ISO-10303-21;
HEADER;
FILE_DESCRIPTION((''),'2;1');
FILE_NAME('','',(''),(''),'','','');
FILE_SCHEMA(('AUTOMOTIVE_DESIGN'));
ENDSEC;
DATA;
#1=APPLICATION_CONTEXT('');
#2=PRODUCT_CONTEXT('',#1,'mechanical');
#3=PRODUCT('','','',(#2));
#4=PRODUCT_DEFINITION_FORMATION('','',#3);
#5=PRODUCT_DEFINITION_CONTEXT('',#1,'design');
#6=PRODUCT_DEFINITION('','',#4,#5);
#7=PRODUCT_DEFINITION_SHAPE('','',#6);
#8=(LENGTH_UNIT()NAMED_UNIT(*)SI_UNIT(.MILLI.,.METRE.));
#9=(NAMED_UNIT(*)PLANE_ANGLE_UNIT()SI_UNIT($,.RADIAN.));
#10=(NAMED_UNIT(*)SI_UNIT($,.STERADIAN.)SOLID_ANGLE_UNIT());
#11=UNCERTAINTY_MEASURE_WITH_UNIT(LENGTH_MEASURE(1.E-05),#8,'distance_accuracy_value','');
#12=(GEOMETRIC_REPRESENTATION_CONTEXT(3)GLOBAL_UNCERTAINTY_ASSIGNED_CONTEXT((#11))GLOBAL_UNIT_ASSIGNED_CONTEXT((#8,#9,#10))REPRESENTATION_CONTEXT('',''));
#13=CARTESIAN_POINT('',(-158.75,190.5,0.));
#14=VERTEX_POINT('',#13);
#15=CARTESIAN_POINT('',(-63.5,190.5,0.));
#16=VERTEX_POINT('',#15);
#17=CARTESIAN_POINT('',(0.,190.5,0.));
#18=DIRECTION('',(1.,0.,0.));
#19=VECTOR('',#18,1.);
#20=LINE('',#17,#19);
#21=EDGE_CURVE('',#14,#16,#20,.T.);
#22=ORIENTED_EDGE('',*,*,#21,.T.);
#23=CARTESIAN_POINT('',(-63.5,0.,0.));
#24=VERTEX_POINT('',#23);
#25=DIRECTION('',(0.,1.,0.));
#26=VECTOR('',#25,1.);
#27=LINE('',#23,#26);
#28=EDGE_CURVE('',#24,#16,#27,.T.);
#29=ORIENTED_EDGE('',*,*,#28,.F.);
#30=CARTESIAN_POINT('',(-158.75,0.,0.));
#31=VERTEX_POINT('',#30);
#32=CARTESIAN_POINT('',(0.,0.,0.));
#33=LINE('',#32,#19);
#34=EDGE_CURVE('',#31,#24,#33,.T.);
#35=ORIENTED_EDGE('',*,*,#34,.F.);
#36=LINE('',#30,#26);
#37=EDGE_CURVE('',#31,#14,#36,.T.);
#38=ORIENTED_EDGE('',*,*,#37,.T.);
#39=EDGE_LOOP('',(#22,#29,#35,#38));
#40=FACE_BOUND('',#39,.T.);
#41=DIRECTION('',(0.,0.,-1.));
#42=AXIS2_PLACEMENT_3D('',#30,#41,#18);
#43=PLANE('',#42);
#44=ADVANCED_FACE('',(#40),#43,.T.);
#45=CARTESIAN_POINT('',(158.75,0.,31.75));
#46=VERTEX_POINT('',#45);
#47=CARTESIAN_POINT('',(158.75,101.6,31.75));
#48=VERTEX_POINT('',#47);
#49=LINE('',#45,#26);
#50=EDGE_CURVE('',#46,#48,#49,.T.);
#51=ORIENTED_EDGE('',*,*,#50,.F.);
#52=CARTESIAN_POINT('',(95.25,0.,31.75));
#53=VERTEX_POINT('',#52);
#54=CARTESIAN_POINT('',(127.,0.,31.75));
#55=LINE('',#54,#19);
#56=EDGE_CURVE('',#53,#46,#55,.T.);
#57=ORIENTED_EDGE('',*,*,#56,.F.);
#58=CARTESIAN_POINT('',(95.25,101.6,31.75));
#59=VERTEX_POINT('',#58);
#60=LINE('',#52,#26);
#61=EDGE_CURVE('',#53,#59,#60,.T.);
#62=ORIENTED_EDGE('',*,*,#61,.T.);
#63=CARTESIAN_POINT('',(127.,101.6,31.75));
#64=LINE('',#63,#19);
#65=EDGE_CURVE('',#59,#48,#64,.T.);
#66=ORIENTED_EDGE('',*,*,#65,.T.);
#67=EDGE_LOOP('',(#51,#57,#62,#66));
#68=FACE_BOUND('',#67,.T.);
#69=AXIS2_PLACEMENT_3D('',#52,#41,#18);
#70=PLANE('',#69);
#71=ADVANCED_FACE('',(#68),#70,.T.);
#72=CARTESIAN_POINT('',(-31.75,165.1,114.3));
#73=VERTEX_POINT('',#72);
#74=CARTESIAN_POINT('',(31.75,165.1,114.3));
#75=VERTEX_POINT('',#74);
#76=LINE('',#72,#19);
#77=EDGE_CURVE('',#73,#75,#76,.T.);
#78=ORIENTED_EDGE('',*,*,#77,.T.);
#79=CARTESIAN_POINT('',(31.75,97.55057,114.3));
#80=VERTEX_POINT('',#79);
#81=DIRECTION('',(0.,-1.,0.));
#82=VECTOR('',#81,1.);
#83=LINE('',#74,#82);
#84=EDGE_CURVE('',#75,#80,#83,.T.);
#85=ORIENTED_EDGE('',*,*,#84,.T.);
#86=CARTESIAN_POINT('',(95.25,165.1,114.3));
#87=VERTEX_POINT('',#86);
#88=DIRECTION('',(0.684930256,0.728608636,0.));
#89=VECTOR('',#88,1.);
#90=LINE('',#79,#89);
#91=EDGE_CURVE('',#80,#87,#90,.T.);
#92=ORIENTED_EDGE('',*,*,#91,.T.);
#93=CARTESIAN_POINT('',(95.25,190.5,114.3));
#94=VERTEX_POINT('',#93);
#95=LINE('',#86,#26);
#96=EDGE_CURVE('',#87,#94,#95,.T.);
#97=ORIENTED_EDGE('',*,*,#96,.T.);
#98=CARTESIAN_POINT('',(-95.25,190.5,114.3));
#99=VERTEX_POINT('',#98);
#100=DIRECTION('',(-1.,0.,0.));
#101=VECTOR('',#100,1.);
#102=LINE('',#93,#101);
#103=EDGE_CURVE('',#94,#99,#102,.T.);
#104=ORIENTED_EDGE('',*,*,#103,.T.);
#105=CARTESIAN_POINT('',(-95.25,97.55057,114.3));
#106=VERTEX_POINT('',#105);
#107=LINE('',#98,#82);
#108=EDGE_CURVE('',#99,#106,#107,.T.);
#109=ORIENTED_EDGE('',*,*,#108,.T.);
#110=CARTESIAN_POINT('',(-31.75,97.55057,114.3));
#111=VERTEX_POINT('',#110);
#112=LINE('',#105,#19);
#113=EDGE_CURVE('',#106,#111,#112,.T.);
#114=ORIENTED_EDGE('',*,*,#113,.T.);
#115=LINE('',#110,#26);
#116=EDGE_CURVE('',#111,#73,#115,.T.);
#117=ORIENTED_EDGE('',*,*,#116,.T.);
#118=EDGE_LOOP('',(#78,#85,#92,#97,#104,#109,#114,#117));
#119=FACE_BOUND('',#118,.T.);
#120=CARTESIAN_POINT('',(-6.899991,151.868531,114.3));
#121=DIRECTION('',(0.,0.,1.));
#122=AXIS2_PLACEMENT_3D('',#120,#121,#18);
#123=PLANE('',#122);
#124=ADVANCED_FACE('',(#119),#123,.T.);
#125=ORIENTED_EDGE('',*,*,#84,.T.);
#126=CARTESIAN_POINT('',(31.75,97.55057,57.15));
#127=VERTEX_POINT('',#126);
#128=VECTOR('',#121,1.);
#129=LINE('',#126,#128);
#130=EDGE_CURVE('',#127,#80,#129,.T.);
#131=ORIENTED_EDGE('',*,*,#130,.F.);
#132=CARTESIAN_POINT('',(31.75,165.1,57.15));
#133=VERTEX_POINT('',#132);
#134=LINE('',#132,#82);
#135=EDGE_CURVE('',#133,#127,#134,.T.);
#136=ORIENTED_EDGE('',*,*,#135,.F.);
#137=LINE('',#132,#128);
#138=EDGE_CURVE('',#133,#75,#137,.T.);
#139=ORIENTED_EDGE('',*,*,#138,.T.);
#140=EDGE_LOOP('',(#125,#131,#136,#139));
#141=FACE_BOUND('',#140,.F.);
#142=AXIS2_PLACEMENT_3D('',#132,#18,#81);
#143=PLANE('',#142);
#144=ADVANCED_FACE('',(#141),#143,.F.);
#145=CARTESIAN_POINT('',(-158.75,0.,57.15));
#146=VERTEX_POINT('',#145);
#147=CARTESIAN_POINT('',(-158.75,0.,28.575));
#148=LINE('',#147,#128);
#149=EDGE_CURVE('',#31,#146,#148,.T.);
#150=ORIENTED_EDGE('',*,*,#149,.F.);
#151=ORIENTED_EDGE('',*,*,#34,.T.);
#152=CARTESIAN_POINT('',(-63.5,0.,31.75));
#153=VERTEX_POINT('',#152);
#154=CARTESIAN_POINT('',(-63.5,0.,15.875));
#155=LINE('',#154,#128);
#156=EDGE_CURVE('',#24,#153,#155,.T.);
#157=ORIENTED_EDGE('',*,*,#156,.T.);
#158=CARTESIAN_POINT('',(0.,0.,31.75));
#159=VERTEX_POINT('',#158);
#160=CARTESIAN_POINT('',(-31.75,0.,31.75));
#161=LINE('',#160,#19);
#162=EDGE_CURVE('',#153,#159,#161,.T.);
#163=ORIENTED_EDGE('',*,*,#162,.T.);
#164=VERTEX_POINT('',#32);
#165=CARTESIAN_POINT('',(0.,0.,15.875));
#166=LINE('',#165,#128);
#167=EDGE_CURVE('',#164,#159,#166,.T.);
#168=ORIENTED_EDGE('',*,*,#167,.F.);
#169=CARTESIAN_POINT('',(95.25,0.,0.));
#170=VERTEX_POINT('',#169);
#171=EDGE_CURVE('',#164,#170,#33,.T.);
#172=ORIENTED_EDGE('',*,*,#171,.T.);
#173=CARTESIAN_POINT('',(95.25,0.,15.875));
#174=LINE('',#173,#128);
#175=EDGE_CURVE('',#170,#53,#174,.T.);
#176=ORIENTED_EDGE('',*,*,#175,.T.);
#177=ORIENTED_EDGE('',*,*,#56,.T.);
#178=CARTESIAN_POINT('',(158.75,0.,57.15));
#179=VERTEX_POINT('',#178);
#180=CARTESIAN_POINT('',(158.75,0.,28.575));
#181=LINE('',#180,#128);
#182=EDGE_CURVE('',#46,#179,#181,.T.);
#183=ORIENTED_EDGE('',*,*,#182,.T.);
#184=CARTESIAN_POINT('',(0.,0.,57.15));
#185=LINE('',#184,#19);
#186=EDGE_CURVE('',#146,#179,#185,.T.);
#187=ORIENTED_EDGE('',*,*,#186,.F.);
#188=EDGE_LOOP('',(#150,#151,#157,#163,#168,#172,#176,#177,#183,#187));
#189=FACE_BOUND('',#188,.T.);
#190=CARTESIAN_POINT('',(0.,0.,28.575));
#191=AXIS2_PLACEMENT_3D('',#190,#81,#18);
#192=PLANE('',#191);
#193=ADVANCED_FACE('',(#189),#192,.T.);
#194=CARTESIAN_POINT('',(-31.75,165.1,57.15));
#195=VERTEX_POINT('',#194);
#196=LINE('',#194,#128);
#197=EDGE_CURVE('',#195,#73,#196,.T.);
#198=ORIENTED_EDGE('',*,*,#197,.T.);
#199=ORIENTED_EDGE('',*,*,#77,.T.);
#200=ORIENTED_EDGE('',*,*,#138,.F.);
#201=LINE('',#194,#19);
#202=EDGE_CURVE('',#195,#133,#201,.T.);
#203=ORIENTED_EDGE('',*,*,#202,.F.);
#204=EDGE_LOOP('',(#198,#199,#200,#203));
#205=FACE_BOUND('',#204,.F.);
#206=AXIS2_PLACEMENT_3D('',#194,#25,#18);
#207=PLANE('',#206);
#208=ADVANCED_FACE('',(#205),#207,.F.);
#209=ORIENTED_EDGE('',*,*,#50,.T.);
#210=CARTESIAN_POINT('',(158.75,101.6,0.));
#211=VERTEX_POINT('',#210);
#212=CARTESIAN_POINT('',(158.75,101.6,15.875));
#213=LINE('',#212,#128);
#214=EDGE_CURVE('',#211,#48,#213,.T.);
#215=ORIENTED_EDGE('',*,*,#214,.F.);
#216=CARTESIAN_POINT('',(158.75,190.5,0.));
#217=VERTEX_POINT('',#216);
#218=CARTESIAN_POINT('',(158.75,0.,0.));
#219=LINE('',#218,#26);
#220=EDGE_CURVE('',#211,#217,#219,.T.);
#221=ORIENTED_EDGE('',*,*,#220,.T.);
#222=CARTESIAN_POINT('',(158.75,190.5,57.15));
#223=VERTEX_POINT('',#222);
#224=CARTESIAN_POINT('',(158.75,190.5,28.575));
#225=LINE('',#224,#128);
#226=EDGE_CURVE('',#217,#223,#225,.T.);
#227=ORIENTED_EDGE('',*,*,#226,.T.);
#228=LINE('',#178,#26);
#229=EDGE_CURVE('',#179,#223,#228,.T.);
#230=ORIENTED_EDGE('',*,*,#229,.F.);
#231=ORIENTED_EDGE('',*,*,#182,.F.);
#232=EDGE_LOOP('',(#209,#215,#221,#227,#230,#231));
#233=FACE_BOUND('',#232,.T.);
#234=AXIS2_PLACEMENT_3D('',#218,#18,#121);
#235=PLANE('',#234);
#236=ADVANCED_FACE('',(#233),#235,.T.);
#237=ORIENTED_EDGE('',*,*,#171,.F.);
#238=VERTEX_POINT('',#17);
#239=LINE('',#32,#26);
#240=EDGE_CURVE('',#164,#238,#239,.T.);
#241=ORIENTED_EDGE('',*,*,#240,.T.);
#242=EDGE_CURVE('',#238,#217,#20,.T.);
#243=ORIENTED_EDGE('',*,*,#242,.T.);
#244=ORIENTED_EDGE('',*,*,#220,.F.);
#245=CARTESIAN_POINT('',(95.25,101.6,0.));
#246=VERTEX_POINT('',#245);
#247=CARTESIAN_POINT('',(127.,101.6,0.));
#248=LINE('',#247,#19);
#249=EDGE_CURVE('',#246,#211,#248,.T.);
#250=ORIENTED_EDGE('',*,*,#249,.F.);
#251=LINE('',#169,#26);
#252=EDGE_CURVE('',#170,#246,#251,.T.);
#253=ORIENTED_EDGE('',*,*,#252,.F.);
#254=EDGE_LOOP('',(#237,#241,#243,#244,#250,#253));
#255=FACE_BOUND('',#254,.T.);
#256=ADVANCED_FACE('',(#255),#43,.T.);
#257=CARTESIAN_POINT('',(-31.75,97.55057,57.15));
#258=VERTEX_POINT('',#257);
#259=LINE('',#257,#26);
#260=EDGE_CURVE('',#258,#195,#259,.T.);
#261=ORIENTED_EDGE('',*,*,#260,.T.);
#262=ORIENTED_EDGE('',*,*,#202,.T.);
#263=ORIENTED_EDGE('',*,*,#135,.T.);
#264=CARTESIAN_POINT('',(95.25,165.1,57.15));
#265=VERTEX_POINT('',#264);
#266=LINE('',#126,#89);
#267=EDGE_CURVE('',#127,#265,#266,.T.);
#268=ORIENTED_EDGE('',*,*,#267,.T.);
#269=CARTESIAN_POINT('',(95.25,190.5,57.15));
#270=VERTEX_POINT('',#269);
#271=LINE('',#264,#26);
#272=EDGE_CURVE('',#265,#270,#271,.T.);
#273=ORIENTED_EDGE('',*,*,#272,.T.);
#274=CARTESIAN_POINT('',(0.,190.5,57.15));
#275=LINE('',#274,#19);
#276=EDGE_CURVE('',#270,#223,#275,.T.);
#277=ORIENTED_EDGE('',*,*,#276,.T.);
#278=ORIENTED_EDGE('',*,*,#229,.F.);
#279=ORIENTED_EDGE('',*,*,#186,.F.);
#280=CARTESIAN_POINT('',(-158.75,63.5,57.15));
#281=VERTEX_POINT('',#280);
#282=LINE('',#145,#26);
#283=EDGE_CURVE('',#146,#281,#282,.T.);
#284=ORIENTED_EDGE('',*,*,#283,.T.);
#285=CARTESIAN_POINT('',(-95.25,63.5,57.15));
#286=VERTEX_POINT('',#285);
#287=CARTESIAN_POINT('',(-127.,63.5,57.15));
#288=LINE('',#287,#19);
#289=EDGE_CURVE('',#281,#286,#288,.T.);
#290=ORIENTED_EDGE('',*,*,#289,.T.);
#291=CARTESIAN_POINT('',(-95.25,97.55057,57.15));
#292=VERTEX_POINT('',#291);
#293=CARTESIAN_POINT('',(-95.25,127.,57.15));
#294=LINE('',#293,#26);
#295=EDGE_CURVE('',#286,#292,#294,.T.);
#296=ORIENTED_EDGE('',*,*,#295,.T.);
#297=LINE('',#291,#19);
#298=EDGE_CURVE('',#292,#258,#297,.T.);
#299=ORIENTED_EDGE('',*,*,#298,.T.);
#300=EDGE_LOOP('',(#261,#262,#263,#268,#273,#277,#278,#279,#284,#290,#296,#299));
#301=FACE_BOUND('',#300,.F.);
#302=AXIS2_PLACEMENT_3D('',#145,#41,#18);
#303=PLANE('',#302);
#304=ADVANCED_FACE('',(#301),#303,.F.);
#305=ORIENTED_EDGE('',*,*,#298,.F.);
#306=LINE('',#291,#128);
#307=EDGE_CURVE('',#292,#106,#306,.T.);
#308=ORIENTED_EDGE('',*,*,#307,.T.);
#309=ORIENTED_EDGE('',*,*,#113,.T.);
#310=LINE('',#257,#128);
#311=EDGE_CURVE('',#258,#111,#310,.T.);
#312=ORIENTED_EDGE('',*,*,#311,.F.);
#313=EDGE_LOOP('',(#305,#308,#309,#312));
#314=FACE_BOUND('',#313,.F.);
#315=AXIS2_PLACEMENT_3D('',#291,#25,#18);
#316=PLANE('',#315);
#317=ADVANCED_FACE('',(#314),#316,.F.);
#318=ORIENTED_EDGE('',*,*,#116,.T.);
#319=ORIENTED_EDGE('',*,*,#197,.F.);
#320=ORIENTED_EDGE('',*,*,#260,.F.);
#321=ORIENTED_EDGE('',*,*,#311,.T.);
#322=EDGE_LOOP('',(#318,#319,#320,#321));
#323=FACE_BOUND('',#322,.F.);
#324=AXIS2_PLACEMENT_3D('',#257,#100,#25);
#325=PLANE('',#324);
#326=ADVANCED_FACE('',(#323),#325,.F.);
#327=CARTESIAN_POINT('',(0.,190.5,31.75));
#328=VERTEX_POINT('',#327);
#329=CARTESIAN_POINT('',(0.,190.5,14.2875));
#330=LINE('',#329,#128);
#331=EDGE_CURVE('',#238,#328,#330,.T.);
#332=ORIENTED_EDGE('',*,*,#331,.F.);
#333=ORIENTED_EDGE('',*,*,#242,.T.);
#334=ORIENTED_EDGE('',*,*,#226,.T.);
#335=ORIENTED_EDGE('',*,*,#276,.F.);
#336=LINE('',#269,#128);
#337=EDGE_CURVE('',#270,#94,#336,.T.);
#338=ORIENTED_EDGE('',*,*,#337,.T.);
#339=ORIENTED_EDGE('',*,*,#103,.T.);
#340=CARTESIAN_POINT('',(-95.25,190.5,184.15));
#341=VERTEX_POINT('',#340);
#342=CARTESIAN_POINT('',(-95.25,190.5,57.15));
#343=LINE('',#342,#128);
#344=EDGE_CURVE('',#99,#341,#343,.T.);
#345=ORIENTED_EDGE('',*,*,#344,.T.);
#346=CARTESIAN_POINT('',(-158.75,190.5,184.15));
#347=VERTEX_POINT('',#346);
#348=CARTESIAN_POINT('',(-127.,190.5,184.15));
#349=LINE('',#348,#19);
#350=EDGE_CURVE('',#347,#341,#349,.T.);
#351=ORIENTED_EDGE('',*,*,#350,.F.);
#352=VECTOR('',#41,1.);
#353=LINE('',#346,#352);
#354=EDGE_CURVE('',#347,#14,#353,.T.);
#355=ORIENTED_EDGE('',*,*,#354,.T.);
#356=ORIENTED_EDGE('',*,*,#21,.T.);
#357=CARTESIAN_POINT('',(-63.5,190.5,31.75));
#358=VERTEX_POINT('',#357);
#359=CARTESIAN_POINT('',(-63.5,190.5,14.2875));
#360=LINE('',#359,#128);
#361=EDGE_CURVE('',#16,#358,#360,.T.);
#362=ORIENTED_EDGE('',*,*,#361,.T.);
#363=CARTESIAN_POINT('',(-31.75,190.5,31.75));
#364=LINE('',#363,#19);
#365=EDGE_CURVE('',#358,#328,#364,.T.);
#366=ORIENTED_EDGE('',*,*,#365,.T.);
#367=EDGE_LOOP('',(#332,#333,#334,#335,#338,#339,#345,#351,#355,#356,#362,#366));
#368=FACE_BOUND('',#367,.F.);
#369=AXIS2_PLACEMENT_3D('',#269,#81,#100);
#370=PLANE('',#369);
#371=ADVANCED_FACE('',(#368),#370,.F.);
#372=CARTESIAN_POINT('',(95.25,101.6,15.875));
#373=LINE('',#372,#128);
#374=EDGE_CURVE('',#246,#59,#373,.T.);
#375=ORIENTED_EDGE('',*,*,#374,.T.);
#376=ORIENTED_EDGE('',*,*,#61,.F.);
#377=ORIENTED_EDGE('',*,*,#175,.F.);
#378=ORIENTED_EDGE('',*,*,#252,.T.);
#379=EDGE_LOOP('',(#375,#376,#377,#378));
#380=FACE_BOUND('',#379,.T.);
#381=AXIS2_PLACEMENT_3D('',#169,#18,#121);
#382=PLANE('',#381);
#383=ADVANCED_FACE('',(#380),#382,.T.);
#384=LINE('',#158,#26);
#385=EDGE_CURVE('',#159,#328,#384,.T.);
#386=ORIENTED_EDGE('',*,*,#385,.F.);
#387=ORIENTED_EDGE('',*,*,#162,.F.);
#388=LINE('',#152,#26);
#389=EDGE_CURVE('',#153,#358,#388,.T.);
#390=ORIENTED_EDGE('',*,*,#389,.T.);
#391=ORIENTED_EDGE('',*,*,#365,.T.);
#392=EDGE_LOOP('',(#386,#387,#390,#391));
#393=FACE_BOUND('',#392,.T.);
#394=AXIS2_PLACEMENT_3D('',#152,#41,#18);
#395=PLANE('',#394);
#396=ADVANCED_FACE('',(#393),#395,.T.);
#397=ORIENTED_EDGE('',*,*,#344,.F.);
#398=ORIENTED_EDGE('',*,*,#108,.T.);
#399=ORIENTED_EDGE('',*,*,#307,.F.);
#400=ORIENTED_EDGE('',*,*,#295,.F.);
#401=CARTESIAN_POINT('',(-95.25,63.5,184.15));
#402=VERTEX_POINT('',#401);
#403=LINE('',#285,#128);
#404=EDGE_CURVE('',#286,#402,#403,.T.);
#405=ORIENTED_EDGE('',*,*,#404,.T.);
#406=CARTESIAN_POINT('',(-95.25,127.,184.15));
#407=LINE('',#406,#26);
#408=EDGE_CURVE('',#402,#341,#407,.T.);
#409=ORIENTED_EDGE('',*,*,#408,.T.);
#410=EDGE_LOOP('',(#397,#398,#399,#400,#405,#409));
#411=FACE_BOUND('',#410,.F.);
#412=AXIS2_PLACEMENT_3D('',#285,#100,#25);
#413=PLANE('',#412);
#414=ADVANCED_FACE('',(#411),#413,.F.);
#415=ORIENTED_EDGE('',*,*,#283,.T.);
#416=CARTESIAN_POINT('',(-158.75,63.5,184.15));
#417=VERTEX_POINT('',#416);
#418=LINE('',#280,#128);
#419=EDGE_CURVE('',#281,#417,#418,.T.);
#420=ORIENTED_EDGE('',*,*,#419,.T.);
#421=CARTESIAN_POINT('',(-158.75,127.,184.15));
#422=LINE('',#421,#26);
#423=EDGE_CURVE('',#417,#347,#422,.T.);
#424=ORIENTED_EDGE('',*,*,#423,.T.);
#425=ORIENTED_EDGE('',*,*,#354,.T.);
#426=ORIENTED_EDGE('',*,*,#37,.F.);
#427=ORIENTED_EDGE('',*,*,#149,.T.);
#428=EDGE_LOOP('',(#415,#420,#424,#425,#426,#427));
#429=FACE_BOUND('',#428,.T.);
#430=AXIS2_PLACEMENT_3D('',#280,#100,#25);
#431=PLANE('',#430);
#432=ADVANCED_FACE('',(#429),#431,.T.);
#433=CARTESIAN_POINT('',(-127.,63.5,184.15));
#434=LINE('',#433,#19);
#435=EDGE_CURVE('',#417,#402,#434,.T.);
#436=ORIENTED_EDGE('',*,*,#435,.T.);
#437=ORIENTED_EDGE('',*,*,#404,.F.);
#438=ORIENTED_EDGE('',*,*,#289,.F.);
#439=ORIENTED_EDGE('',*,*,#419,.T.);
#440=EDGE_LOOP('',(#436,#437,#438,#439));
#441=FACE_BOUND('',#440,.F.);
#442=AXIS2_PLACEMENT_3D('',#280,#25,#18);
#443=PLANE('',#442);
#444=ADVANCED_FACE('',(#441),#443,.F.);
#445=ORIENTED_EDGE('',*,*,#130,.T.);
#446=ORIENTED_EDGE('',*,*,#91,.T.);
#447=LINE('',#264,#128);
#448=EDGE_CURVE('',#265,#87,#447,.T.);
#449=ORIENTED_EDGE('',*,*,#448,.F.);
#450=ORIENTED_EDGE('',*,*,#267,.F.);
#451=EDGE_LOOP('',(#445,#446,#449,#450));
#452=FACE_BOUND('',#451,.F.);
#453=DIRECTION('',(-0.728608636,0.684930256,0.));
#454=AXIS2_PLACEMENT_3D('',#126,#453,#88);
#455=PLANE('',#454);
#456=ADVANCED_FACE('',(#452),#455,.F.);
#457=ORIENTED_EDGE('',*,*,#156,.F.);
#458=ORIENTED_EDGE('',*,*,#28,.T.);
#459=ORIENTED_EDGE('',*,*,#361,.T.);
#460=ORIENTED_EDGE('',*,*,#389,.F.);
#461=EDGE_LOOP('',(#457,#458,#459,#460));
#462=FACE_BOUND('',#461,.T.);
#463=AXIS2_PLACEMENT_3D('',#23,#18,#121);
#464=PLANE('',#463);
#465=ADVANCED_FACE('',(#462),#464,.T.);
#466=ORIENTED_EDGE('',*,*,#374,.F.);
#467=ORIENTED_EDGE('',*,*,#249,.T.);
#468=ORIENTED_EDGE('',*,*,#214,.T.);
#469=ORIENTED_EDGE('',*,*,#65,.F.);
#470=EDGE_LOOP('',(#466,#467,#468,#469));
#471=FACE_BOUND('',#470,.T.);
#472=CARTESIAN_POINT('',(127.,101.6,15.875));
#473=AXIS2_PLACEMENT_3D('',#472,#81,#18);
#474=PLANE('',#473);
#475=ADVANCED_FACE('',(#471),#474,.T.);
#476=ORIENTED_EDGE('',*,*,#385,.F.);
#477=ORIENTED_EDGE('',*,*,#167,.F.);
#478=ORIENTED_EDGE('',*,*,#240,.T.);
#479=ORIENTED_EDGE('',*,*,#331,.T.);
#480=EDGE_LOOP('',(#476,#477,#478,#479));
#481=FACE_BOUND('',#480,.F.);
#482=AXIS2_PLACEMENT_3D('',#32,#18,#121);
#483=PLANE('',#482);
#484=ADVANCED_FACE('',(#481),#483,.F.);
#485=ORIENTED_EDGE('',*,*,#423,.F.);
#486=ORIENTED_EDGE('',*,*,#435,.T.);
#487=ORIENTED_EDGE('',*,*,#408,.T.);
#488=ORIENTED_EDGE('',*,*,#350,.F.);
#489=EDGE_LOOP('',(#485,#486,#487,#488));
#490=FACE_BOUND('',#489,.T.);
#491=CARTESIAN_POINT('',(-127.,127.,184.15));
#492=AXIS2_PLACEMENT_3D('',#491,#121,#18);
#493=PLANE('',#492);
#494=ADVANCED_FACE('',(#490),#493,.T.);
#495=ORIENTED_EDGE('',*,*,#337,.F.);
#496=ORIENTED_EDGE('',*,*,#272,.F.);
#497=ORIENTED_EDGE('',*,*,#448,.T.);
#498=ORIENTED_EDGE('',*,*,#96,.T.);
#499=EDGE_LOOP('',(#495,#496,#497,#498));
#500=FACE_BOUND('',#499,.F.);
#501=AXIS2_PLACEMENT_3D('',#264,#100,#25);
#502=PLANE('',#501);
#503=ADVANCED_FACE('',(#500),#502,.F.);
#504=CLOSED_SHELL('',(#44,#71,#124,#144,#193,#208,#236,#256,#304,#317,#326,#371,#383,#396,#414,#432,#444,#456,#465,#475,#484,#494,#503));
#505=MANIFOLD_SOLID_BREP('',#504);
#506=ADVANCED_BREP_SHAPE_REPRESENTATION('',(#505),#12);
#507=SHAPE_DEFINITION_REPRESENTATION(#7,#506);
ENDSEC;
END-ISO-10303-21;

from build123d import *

# Parameters (mm, degrees)
F0_W     = 317.5
F0_H     = 57.15
F1_DEPTH = 190.5
F2_W     = 63.5
F2_H     = 31.75
F3_DEPTH = 190.501
F4_W     = 63.5
F4_H     = 31.75
F5_DEPTH = 101.6
F6_W     = 63.5
F6_H     = 127
F7_DEPTH = 127
F9_DEPTH = 57.15


with BuildPart() as f1:
    # F0 (on Front) → F1 (new body)
    with BuildSketch(Plane.XZ):
        with Locations((0, 28.575)):
            Rectangle(F0_W, F0_H)
    extrude(amount=-F1_DEPTH)

    # F2 (on face) → F3 (cut, through all)
    with BuildSketch(Plane.XZ):
        with Locations((-31.75, 15.875)):
            Rectangle(F2_W, F2_H)
    extrude(amount=-F3_DEPTH, mode=Mode.SUBTRACT)

    # F4 (on face) → F5 (cut)
    with BuildSketch(Plane.XZ):
        with Locations((127, 15.875)):
            Rectangle(F4_W, F4_H)
    extrude(amount=-F5_DEPTH, mode=Mode.SUBTRACT)

    # F6 (on face) → F7 (join)
    with BuildSketch(Plane.XY.offset(57.15)):
        with Locations((-127, 127)):
            Rectangle(F6_W, F6_H)
    extrude(amount=F7_DEPTH)

    # F8 (on face) → F9 (join)
    with BuildSketch(Plane.XY.offset(57.15)):
        Polygon((95.25, 190.5), (-95.25, 190.5), (-95.25, 97.55057), (-31.75, 97.55057), (-31.75, 165.1), (31.75, 165.1), (31.75, 97.55057), (95.25, 165.1), align=None)
    extrude(amount=F9_DEPTH)


solid = f1.part
